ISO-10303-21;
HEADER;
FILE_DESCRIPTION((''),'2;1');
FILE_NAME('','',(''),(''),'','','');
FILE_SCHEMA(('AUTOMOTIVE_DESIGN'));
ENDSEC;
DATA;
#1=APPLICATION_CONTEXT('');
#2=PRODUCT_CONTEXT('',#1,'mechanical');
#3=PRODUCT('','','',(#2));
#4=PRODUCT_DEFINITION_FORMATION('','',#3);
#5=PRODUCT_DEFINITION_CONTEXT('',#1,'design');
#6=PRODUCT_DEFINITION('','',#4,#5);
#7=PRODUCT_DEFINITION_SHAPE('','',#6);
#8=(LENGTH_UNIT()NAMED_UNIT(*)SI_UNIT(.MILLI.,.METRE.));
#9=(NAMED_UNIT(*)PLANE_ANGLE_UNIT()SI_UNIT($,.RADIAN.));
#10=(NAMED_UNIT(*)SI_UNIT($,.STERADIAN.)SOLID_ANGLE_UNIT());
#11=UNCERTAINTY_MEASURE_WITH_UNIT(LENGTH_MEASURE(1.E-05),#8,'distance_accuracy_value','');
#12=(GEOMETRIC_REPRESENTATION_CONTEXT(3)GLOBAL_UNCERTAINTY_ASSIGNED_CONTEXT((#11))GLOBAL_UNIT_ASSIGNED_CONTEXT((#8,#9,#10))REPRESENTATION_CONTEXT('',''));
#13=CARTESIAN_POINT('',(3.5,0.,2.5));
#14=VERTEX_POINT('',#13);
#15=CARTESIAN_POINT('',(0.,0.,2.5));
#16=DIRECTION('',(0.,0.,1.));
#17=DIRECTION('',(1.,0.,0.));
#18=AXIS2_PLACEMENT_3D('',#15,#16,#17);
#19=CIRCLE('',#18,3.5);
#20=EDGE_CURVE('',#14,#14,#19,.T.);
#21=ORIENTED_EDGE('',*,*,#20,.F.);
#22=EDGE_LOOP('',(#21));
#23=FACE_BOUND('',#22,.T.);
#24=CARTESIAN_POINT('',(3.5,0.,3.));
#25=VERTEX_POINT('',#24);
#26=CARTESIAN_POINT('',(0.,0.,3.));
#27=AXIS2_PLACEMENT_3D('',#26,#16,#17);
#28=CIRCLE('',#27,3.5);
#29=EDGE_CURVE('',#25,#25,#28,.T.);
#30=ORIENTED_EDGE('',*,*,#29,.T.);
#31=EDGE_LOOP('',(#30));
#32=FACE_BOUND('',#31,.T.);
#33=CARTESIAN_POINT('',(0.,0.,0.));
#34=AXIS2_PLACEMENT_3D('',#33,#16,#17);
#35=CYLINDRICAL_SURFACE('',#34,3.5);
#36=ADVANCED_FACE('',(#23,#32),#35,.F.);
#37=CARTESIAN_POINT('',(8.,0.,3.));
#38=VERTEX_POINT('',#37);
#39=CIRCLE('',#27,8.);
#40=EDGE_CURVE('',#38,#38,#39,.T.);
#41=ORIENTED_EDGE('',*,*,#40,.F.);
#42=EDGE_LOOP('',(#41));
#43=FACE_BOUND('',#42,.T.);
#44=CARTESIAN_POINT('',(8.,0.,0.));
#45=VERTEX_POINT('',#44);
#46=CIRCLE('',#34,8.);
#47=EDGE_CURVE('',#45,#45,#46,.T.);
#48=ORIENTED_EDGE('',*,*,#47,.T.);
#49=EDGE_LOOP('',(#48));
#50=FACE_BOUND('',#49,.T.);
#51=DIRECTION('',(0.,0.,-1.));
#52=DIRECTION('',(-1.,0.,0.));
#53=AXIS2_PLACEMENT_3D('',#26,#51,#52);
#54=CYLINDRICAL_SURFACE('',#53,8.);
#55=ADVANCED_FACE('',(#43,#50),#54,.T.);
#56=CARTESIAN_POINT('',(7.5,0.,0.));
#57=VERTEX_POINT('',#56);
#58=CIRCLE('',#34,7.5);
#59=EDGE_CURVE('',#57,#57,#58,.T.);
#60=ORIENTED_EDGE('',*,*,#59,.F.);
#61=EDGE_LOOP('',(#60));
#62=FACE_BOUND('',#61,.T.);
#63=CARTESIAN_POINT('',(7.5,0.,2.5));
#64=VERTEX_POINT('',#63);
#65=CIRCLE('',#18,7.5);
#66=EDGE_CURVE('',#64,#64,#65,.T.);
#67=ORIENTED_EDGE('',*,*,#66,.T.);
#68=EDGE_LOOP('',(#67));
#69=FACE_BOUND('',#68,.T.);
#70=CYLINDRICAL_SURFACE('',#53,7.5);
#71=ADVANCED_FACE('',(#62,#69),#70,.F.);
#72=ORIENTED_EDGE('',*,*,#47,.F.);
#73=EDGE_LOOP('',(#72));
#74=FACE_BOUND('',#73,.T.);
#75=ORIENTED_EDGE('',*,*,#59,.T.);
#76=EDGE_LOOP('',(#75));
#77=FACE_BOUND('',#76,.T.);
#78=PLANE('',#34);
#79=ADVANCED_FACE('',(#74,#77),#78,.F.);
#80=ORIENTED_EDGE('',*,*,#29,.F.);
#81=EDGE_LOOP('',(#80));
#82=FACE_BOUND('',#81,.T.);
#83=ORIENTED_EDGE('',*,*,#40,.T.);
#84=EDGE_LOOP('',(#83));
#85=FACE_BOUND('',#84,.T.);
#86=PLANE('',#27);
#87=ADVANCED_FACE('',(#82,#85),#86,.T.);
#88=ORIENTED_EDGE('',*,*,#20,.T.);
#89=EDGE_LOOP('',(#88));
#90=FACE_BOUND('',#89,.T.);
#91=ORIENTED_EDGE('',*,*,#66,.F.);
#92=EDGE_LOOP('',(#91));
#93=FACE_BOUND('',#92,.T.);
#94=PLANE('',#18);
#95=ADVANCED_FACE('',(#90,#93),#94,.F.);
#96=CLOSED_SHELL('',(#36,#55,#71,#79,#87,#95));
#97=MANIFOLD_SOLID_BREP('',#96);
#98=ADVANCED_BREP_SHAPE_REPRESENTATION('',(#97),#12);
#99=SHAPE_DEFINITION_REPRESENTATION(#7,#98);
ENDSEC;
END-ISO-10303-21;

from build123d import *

# Parameters (mm, degrees)
SKETCH_1_R          = 8
EXTRUDE_1_DEPTH     = 3
SHELL_2_T           = -0.5
SKETCH_2_R          = 3.5
CUT_EXTRUDE_2_DEPTH = 12.704699911


with BuildPart() as part:
    # 草图1 → 拉伸1 (new body)
    with BuildSketch(Plane.XY):
        Circle(SKETCH_1_R)
    extrude(amount=EXTRUDE_1_DEPTH)

    # 抽壳2
    shell_2_openings = [part.faces().sort_by_distance(p)[0] for p in [
        (0, 0, 0),
    ]]
    offset(amount=SHELL_2_T, openings=shell_2_openings, kind=Kind.INTERSECTION)

    # 草图2 → 拉伸2 (cut, through all)
    with BuildSketch(Plane.XY.offset(3)):
        Circle(SKETCH_2_R)
    extrude(amount=-CUT_EXTRUDE_2_DEPTH, mode=Mode.SUBTRACT)


solid = part.part
